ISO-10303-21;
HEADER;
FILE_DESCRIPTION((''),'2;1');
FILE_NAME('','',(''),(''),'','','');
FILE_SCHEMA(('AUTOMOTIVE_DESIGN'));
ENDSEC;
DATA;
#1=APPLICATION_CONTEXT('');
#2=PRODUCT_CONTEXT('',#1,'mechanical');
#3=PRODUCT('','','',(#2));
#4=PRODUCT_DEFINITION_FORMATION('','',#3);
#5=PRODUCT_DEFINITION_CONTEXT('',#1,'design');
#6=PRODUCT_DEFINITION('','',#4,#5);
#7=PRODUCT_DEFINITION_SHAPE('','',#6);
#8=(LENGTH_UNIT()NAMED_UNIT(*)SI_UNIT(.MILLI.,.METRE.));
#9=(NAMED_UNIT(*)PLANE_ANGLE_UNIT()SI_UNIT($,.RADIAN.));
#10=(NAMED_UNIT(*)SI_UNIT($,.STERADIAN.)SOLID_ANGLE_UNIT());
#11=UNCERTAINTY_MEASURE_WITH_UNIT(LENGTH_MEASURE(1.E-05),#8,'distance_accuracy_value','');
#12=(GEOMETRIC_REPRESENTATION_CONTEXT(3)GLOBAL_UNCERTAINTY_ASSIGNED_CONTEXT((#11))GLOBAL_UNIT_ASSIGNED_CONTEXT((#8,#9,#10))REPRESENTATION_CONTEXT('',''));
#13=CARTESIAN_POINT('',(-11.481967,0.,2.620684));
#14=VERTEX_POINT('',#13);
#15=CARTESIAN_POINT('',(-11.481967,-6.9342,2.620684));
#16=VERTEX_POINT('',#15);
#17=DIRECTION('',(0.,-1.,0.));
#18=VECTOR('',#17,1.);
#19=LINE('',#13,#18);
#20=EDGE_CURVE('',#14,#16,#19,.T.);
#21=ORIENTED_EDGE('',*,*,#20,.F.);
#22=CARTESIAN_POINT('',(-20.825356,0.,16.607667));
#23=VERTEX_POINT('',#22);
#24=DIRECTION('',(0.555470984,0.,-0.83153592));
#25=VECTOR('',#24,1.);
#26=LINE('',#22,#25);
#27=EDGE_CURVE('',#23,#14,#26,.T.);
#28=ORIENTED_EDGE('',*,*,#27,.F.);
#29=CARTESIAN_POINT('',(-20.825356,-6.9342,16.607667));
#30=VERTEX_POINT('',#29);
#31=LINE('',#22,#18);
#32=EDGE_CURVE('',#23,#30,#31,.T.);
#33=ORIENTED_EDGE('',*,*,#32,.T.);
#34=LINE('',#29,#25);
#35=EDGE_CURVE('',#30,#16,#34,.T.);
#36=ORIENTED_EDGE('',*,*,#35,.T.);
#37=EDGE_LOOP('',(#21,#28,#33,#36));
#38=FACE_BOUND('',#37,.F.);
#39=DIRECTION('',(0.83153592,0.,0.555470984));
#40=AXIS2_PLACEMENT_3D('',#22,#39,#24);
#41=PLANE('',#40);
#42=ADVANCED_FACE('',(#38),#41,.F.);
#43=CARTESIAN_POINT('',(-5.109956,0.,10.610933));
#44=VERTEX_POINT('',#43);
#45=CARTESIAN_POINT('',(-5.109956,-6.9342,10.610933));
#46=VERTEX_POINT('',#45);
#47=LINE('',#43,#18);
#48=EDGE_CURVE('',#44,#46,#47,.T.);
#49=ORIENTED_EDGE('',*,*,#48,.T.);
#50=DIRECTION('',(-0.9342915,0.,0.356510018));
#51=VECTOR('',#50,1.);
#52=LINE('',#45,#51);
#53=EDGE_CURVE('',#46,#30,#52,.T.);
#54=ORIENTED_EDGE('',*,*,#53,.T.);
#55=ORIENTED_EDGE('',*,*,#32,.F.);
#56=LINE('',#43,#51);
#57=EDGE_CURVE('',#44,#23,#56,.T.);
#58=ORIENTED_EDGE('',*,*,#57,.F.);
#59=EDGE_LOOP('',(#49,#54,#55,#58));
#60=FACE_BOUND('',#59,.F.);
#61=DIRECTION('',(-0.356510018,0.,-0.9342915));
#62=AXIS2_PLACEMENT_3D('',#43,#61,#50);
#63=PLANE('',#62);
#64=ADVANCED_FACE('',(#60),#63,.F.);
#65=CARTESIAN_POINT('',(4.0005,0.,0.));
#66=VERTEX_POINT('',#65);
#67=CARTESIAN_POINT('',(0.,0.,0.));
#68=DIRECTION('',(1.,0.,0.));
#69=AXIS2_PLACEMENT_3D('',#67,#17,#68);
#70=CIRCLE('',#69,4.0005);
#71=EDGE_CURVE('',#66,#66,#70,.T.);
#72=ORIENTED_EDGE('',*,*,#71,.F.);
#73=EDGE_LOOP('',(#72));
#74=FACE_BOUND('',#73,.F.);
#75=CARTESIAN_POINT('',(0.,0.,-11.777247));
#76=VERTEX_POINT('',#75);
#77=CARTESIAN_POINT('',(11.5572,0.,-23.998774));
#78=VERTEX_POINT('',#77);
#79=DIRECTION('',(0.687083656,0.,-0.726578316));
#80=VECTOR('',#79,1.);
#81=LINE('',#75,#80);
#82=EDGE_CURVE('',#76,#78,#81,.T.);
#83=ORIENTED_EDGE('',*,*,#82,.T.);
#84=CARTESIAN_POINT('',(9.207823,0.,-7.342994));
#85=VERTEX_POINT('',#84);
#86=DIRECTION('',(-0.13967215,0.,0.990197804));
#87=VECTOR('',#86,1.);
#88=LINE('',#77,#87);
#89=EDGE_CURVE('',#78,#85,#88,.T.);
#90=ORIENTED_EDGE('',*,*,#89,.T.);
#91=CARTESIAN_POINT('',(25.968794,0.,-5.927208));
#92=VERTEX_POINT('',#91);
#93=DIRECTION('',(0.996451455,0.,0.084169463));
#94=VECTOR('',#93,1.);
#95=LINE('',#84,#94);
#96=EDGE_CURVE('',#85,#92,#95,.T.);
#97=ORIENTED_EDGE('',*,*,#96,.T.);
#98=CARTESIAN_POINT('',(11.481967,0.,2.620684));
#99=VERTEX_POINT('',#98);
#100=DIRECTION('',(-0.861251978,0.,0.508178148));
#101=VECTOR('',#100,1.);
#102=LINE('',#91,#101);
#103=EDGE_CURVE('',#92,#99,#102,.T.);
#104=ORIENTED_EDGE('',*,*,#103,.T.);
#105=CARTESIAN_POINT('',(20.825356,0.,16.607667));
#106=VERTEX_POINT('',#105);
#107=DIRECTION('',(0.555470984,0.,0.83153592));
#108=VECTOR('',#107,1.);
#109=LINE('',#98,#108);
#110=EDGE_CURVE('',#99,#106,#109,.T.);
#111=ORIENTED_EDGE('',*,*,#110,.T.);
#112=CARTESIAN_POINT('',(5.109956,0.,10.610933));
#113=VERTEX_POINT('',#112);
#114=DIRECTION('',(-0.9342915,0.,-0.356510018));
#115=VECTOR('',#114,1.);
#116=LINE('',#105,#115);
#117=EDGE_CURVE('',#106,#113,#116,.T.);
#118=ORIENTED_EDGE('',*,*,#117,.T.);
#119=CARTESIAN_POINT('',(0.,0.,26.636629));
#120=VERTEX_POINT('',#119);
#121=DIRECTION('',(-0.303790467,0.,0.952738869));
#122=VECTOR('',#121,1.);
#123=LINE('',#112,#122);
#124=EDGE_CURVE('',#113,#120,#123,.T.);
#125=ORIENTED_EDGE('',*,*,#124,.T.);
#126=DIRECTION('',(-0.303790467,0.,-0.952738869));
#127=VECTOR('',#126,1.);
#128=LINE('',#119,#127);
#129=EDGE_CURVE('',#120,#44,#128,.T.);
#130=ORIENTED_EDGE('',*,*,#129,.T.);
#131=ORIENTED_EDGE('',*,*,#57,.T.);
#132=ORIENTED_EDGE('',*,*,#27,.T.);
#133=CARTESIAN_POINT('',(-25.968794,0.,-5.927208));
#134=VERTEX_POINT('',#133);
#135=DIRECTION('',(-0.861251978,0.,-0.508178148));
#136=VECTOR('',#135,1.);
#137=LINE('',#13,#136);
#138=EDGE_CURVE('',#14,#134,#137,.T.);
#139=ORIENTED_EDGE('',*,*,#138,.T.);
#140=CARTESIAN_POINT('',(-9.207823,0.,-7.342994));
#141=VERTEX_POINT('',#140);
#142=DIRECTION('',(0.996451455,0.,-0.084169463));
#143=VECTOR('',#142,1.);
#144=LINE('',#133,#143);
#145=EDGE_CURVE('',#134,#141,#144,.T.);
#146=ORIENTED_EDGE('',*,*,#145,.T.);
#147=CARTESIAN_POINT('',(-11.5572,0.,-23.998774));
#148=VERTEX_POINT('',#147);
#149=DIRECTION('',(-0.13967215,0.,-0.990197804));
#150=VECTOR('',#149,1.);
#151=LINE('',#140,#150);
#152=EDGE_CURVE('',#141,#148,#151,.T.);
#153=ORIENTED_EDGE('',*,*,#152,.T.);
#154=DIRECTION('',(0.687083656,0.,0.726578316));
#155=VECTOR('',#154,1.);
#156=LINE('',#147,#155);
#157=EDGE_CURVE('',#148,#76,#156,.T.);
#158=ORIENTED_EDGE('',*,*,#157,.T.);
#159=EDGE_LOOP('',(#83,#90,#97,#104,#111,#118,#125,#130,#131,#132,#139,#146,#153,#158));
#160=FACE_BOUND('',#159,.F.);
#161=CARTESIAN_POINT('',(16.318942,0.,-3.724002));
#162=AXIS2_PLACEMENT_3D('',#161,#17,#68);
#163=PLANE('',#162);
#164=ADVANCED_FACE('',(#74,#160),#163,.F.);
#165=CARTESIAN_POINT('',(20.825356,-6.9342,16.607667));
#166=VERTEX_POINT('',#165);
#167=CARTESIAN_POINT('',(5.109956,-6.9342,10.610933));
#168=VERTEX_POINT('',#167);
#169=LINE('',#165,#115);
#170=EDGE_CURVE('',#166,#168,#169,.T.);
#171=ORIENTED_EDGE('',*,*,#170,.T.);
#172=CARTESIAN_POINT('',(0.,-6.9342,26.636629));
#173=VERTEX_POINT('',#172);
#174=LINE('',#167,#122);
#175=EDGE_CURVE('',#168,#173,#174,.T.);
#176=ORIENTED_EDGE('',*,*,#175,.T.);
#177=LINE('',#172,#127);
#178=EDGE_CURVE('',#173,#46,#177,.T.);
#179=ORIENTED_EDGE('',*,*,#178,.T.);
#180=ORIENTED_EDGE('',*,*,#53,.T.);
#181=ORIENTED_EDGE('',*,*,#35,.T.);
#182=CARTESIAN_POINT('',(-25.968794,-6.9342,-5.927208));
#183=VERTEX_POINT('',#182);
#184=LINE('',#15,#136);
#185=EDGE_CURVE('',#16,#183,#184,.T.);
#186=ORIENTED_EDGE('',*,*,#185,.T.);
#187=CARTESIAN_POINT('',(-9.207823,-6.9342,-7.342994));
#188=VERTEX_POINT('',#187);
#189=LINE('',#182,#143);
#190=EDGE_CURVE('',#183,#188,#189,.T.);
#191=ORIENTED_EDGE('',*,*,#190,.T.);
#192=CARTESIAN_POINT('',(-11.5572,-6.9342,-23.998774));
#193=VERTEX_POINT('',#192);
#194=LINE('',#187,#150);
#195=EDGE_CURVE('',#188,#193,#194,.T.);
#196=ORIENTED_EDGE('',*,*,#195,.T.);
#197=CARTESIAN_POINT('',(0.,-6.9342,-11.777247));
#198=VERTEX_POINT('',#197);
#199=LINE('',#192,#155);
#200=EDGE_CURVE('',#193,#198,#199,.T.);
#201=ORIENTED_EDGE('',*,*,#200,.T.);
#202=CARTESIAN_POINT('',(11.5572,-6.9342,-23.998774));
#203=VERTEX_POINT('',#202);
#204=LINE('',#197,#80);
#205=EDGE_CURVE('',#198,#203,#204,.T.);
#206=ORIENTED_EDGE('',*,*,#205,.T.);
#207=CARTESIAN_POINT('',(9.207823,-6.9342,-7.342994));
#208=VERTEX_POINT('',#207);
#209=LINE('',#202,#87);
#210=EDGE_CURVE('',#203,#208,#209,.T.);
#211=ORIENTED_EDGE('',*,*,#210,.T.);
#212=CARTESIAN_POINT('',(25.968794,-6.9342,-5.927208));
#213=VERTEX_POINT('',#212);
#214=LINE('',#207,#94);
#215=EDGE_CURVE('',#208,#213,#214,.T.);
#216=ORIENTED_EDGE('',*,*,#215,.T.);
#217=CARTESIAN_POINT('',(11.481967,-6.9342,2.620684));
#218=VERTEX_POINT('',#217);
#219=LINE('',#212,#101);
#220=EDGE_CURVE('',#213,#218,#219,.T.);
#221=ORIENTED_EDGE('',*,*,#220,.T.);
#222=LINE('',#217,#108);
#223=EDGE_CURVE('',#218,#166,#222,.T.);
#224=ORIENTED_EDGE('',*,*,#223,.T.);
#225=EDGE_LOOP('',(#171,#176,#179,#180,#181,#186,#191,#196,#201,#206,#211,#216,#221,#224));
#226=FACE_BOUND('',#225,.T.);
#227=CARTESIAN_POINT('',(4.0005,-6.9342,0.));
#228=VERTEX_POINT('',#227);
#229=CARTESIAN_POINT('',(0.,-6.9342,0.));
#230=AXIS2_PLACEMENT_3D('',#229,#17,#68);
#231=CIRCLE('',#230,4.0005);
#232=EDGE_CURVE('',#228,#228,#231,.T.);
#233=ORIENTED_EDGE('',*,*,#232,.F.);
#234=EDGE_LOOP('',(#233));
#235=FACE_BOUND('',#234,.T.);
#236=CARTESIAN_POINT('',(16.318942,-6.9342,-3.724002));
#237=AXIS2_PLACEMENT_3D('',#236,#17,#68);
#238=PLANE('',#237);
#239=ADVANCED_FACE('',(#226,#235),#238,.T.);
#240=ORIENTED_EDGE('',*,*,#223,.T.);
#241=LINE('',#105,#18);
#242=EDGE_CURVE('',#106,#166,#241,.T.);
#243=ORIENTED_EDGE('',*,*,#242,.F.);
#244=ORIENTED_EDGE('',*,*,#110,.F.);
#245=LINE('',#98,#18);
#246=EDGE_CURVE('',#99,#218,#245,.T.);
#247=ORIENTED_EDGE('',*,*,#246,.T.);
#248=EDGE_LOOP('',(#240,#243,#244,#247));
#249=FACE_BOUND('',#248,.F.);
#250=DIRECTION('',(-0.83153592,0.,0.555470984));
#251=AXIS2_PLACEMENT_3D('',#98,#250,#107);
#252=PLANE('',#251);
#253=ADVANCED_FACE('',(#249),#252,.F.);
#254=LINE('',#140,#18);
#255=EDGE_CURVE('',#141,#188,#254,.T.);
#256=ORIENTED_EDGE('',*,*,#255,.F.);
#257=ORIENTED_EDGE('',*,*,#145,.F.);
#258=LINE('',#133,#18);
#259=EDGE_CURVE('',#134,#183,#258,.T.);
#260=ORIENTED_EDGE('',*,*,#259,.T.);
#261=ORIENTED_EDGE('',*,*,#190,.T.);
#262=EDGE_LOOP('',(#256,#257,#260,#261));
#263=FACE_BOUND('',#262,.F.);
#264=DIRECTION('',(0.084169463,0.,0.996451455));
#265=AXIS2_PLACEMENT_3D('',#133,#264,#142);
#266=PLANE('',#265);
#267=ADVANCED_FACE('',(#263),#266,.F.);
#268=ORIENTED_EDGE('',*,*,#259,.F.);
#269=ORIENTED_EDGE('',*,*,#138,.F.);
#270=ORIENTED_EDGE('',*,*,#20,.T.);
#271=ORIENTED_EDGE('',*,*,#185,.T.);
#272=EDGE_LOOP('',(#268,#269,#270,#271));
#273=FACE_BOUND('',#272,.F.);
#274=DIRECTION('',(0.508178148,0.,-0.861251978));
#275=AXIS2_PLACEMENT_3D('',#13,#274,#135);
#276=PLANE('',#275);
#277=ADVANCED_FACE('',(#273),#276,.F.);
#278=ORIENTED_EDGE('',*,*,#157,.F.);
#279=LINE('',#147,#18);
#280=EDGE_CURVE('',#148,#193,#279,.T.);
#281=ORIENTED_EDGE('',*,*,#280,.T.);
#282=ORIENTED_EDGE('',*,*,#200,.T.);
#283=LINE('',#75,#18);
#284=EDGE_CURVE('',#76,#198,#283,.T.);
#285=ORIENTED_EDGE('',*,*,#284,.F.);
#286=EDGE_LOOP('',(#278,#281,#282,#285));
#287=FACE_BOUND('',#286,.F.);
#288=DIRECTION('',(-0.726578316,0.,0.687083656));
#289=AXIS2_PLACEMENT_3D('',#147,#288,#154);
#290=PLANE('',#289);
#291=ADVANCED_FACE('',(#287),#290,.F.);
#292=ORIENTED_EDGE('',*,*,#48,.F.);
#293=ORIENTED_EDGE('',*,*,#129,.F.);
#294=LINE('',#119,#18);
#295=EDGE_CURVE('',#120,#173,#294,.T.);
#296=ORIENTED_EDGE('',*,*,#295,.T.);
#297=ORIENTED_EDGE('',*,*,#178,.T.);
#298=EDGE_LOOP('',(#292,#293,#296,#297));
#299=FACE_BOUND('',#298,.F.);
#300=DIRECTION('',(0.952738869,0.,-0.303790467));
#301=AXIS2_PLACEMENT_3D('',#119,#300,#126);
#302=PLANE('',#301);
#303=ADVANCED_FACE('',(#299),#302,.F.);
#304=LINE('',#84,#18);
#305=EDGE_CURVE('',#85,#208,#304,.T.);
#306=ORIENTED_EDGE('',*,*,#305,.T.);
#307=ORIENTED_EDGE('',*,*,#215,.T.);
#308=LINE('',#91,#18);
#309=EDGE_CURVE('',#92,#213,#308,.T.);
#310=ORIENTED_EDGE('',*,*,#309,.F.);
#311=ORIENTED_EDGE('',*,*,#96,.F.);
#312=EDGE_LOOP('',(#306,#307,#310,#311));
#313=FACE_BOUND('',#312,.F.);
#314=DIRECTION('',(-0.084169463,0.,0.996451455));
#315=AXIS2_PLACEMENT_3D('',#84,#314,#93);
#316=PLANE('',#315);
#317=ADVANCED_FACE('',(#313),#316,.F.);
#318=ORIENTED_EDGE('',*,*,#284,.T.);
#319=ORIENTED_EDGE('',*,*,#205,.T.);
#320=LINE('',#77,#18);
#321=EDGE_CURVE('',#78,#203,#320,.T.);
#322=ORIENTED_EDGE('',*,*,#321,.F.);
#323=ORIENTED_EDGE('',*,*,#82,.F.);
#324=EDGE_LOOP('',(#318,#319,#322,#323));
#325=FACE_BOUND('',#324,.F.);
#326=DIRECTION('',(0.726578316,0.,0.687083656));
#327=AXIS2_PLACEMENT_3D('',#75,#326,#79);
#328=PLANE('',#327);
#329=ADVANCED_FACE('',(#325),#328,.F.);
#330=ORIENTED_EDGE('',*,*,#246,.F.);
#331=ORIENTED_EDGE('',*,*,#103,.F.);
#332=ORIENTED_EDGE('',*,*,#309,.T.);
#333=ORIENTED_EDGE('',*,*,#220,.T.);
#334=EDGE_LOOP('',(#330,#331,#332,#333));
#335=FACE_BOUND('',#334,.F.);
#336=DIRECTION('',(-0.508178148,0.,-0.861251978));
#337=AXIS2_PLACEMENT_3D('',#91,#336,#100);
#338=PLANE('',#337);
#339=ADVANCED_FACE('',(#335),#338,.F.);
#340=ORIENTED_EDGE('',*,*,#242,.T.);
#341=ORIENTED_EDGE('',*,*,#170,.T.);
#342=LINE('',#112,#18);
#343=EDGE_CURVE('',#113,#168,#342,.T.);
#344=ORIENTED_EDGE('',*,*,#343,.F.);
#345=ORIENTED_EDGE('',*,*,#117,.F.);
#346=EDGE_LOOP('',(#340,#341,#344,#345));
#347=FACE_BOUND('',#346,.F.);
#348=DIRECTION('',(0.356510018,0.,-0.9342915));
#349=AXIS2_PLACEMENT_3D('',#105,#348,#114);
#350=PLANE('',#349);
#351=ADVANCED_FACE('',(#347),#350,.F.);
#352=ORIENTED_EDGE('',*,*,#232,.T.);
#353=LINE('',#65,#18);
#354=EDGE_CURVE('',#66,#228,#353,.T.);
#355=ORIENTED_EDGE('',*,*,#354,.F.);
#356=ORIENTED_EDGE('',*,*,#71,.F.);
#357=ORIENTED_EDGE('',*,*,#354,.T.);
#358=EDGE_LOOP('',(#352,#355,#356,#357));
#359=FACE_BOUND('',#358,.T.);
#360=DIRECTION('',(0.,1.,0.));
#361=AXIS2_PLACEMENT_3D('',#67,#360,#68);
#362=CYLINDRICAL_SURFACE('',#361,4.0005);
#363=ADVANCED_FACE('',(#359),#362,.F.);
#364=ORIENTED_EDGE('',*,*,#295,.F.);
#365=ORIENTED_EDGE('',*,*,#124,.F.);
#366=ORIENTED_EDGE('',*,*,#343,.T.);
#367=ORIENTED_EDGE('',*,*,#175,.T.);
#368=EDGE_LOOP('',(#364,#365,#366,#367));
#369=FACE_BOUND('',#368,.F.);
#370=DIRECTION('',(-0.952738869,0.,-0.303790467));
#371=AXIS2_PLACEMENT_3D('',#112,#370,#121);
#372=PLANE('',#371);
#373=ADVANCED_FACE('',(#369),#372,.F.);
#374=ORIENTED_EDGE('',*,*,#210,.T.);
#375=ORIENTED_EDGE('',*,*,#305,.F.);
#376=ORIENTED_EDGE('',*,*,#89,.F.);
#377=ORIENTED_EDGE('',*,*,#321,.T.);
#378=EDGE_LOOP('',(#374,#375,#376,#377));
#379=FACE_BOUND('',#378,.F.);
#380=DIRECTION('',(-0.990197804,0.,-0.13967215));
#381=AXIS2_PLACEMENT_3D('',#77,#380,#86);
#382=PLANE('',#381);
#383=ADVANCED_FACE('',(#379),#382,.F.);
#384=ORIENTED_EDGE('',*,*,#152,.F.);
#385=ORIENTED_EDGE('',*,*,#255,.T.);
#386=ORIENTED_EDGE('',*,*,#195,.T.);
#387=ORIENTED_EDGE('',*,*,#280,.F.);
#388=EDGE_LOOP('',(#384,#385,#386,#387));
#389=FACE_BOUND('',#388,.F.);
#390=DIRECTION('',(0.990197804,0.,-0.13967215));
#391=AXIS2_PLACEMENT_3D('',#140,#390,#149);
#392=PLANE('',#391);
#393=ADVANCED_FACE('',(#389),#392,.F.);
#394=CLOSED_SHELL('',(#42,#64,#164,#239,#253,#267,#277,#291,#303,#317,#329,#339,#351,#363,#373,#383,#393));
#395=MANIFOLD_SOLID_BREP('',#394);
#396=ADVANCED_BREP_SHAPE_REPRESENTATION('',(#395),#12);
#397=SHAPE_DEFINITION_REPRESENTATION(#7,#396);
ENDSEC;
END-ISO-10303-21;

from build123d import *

# Parameters (mm, degrees)
F0_R     = 4.0005
F1_DEPTH = 6.9342


with BuildPart() as f1:
    # F0 (on Front) → F1 (new body)
    with BuildSketch(Plane.XZ):
        with BuildLine():
            ThreePointArc((10.9490814011, 1.8229581763), (11.0620561781, 0.9145890619), (11.0998, 0))
            ThreePointArc((11.0998, 0), (10.5811921219, -3.3531974769), (9.0738295647, -6.3930569426))
            Line((9.0738295647, -6.3930569426), (9.2078226807, -7.3429935574))
            Line((9.2078226807, -7.3429935574), (25.9687935512, -5.9272076659))
            Line((25.9687935512, -5.9272076659), (11.4819670775, 2.6206840586))
            Line((11.4819670775, 2.6206840586), (10.9490814011, 1.8229581763))
        make_face()
        with BuildLine():
            ThreePointArc((10.6557333843, 3.1081998138), (10.8215048396, 2.4699378627), (10.9490814011, 1.8229581763))
            Line((10.9490814011, 1.8229581763), (11.4819670775, 2.6206840586))
            Line((11.4819670775, 2.6206840586), (10.6557333843, 3.1081998138))
        make_face()
        with BuildLine():
            Line((9.2078226807, -7.3429935574), (9.0738295647, -6.3930569426))
            ThreePointArc((9.0738295647, -6.3930569426), (8.6781730891, -6.9206121027), (8.2518866868, -7.4237407113))
            Line((8.2518866868, -7.4237407113), (9.2078226807, -7.3429935574))
        make_face()
        with BuildLine():
            ThreePointArc((5.4013944998, 9.6969323756), (8.6781730891, 6.9206121027), (10.6557333843, 3.1081998138))
            Line((10.6557333843, 3.1081998138), (11.4819670775, 2.6206840586))
            Line((11.4819670775, 2.6206840586), (20.8253555021, 16.6076668269))
            Line((20.8253555021, 16.6076668269), (5.1099560755, 10.6109331263))
            Line((5.1099560755, 10.6109331263), (5.4013944998, 9.6969323756))
        make_face()
        with BuildLine():
            Line((9.2078226807, -7.3429935574), (8.2518866868, -7.4237407113))
            ThreePointArc((8.2518866868, -7.4237407113), (4.8160227275, -10.0005742399), (0.6591470105, -11.0802114266))
            Line((0.6591470105, -11.0802114266), (0, -11.777247255))
            Line((0, -11.777247255), (11.5572003895, -23.9987738932))
            Line((11.5572003895, -23.9987738932), (9.2078226807, -7.3429935574))
        make_face()
        with BuildLine():
            ThreePointArc((4.2136526282, 10.2689187147), (4.8160227275, 10.0005742399), (5.4013944998, 9.6969323756))
            Line((5.4013944998, 9.6969323756), (5.1099560755, 10.6109331263))
            Line((5.1099560755, 10.6109331263), (4.2136526282, 10.2689187147))
        make_face()
        with BuildLine():
            Line((0, -11.777247255), (0.6591470105, -11.0802114266))
            ThreePointArc((0.6591470105, -11.0802114266), (0, -11.0998), (-0.6591470105, -11.0802114266))
            Line((-0.6591470105, -11.0802114266), (0, -11.777247255))
        make_face()
        with BuildLine():
            ThreePointArc((-4.2136526282, 10.2689187147), (0, 11.0998), (4.2136526282, 10.2689187147))
            Line((4.2136526282, 10.2689187147), (5.1099560755, 10.6109331263))
            Line((5.1099560755, 10.6109331263), (0, 26.6366294644))
            Line((0, 26.6366294644), (-5.1099560755, 10.6109331263))
            Line((-5.1099560755, 10.6109331263), (-4.2136526282, 10.2689187147))
        make_face()
        with BuildLine():
            Line((0, -11.777247255), (-0.6591470105, -11.0802114266))
            ThreePointArc((-0.6591470105, -11.0802114266), (-4.8160227275, -10.0005742399), (-8.2518866868, -7.4237407113))
            Line((-8.2518866868, -7.4237407113), (-9.2078226807, -7.3429935574))
            Line((-9.2078226807, -7.3429935574), (-11.5572003895, -23.9987738932))
            Line((-11.5572003895, -23.9987738932), (0, -11.777247255))
        make_face()
        with BuildLine():
            ThreePointArc((-5.4013944998, 9.6969323756), (-4.8160227275, 10.0005742399), (-4.2136526282, 10.2689187147))
            Line((-4.2136526282, 10.2689187147), (-5.1099560755, 10.6109331263))
            Line((-5.1099560755, 10.6109331263), (-5.4013944998, 9.6969323756))
        make_face()
        with BuildLine():
            Line((-9.2078226807, -7.3429935574), (-8.2518866868, -7.4237407113))
            ThreePointArc((-8.2518866868, -7.4237407113), (-8.6781730891, -6.9206121027), (-9.0738295647, -6.3930569426))
            Line((-9.0738295647, -6.3930569426), (-9.2078226807, -7.3429935574))
        make_face()
        with BuildLine():
            ThreePointArc((-10.6557333843, 3.1081998138), (-8.6781730891, 6.9206121027), (-5.4013944998, 9.6969323756))
            Line((-5.4013944998, 9.6969323756), (-5.1099560755, 10.6109331263))
            Line((-5.1099560755, 10.6109331263), (-20.8253555021, 16.6076668269))
            Line((-20.8253555021, 16.6076668269), (-11.4819670775, 2.6206840586))
            Line((-11.4819670775, 2.6206840586), (-10.6557333843, 3.1081998138))
        make_face()
        with BuildLine():
            Line((-9.2078226807, -7.3429935574), (-9.0738295647, -6.3930569426))
            ThreePointArc((-9.0738295647, -6.3930569426), (-10.8215048396, -2.4699378627), (-10.9490814011, 1.8229581763))
            Line((-10.9490814011, 1.8229581763), (-11.4819670775, 2.6206840586))
            Line((-11.4819670775, 2.6206840586), (-25.9687935512, -5.9272076659))
            Line((-25.9687935512, -5.9272076659), (-9.2078226807, -7.3429935574))
        make_face()
        with BuildLine():
            ThreePointArc((-10.9490814011, 1.8229581763), (-10.8215048396, 2.4699378627), (-10.6557333843, 3.1081998138))
            Line((-10.6557333843, 3.1081998138), (-11.4819670775, 2.6206840586))
            Line((-11.4819670775, 2.6206840586), (-10.9490814011, 1.8229581763))
        make_face()
        with BuildLine():
            ThreePointArc((9.0738295647, -6.3930569426), (10.5811921219, -3.3531974769), (11.0998, 0))
            ThreePointArc((11.0998, 0), (11.0620561781, 0.9145890619), (10.9490814011, 1.8229581763))
            ThreePointArc((10.9490814011, 1.8229581763), (10.8215048396, 2.4699378627), (10.6557333843, 3.1081998138))
            ThreePointArc((10.6557333843, 3.1081998138), (8.6781730891, 6.9206121027), (5.4013944998, 9.6969323756))
            ThreePointArc((5.4013944998, 9.6969323756), (4.8160227275, 10.0005742399), (4.2136526282, 10.2689187147))
            ThreePointArc((4.2136526282, 10.2689187147), (0, 11.0998), (-4.2136526282, 10.2689187147))
            ThreePointArc((-4.2136526282, 10.2689187147), (-4.8160227275, 10.0005742399), (-5.4013944998, 9.6969323756))
            ThreePointArc((-5.4013944998, 9.6969323756), (-8.6781730891, 6.9206121027), (-10.6557333843, 3.1081998138))
            ThreePointArc((-10.6557333843, 3.1081998138), (-10.8215048396, 2.4699378627), (-10.9490814011, 1.8229581763))
            ThreePointArc((-10.9490814011, 1.8229581763), (-10.8215048396, -2.4699378627), (-9.0738295647, -6.3930569426))
            ThreePointArc((-9.0738295647, -6.3930569426), (-8.6781730891, -6.9206121027), (-8.2518866868, -7.4237407113))
            ThreePointArc((-8.2518866868, -7.4237407113), (-4.8160227275, -10.0005742399), (-0.6591470105, -11.0802114266))
            ThreePointArc((-0.6591470105, -11.0802114266), (0, -11.0998), (0.6591470105, -11.0802114266))
            ThreePointArc((0.6591470105, -11.0802114266), (4.8160227275, -10.0005742399), (8.2518866868, -7.4237407113))
            ThreePointArc((8.2518866868, -7.4237407113), (8.6781730891, -6.9206121027), (9.0738295647, -6.3930569426))
        make_face()
        Circle(F0_R, mode=Mode.SUBTRACT)
    extrude(amount=F1_DEPTH)


solid = f1.part
